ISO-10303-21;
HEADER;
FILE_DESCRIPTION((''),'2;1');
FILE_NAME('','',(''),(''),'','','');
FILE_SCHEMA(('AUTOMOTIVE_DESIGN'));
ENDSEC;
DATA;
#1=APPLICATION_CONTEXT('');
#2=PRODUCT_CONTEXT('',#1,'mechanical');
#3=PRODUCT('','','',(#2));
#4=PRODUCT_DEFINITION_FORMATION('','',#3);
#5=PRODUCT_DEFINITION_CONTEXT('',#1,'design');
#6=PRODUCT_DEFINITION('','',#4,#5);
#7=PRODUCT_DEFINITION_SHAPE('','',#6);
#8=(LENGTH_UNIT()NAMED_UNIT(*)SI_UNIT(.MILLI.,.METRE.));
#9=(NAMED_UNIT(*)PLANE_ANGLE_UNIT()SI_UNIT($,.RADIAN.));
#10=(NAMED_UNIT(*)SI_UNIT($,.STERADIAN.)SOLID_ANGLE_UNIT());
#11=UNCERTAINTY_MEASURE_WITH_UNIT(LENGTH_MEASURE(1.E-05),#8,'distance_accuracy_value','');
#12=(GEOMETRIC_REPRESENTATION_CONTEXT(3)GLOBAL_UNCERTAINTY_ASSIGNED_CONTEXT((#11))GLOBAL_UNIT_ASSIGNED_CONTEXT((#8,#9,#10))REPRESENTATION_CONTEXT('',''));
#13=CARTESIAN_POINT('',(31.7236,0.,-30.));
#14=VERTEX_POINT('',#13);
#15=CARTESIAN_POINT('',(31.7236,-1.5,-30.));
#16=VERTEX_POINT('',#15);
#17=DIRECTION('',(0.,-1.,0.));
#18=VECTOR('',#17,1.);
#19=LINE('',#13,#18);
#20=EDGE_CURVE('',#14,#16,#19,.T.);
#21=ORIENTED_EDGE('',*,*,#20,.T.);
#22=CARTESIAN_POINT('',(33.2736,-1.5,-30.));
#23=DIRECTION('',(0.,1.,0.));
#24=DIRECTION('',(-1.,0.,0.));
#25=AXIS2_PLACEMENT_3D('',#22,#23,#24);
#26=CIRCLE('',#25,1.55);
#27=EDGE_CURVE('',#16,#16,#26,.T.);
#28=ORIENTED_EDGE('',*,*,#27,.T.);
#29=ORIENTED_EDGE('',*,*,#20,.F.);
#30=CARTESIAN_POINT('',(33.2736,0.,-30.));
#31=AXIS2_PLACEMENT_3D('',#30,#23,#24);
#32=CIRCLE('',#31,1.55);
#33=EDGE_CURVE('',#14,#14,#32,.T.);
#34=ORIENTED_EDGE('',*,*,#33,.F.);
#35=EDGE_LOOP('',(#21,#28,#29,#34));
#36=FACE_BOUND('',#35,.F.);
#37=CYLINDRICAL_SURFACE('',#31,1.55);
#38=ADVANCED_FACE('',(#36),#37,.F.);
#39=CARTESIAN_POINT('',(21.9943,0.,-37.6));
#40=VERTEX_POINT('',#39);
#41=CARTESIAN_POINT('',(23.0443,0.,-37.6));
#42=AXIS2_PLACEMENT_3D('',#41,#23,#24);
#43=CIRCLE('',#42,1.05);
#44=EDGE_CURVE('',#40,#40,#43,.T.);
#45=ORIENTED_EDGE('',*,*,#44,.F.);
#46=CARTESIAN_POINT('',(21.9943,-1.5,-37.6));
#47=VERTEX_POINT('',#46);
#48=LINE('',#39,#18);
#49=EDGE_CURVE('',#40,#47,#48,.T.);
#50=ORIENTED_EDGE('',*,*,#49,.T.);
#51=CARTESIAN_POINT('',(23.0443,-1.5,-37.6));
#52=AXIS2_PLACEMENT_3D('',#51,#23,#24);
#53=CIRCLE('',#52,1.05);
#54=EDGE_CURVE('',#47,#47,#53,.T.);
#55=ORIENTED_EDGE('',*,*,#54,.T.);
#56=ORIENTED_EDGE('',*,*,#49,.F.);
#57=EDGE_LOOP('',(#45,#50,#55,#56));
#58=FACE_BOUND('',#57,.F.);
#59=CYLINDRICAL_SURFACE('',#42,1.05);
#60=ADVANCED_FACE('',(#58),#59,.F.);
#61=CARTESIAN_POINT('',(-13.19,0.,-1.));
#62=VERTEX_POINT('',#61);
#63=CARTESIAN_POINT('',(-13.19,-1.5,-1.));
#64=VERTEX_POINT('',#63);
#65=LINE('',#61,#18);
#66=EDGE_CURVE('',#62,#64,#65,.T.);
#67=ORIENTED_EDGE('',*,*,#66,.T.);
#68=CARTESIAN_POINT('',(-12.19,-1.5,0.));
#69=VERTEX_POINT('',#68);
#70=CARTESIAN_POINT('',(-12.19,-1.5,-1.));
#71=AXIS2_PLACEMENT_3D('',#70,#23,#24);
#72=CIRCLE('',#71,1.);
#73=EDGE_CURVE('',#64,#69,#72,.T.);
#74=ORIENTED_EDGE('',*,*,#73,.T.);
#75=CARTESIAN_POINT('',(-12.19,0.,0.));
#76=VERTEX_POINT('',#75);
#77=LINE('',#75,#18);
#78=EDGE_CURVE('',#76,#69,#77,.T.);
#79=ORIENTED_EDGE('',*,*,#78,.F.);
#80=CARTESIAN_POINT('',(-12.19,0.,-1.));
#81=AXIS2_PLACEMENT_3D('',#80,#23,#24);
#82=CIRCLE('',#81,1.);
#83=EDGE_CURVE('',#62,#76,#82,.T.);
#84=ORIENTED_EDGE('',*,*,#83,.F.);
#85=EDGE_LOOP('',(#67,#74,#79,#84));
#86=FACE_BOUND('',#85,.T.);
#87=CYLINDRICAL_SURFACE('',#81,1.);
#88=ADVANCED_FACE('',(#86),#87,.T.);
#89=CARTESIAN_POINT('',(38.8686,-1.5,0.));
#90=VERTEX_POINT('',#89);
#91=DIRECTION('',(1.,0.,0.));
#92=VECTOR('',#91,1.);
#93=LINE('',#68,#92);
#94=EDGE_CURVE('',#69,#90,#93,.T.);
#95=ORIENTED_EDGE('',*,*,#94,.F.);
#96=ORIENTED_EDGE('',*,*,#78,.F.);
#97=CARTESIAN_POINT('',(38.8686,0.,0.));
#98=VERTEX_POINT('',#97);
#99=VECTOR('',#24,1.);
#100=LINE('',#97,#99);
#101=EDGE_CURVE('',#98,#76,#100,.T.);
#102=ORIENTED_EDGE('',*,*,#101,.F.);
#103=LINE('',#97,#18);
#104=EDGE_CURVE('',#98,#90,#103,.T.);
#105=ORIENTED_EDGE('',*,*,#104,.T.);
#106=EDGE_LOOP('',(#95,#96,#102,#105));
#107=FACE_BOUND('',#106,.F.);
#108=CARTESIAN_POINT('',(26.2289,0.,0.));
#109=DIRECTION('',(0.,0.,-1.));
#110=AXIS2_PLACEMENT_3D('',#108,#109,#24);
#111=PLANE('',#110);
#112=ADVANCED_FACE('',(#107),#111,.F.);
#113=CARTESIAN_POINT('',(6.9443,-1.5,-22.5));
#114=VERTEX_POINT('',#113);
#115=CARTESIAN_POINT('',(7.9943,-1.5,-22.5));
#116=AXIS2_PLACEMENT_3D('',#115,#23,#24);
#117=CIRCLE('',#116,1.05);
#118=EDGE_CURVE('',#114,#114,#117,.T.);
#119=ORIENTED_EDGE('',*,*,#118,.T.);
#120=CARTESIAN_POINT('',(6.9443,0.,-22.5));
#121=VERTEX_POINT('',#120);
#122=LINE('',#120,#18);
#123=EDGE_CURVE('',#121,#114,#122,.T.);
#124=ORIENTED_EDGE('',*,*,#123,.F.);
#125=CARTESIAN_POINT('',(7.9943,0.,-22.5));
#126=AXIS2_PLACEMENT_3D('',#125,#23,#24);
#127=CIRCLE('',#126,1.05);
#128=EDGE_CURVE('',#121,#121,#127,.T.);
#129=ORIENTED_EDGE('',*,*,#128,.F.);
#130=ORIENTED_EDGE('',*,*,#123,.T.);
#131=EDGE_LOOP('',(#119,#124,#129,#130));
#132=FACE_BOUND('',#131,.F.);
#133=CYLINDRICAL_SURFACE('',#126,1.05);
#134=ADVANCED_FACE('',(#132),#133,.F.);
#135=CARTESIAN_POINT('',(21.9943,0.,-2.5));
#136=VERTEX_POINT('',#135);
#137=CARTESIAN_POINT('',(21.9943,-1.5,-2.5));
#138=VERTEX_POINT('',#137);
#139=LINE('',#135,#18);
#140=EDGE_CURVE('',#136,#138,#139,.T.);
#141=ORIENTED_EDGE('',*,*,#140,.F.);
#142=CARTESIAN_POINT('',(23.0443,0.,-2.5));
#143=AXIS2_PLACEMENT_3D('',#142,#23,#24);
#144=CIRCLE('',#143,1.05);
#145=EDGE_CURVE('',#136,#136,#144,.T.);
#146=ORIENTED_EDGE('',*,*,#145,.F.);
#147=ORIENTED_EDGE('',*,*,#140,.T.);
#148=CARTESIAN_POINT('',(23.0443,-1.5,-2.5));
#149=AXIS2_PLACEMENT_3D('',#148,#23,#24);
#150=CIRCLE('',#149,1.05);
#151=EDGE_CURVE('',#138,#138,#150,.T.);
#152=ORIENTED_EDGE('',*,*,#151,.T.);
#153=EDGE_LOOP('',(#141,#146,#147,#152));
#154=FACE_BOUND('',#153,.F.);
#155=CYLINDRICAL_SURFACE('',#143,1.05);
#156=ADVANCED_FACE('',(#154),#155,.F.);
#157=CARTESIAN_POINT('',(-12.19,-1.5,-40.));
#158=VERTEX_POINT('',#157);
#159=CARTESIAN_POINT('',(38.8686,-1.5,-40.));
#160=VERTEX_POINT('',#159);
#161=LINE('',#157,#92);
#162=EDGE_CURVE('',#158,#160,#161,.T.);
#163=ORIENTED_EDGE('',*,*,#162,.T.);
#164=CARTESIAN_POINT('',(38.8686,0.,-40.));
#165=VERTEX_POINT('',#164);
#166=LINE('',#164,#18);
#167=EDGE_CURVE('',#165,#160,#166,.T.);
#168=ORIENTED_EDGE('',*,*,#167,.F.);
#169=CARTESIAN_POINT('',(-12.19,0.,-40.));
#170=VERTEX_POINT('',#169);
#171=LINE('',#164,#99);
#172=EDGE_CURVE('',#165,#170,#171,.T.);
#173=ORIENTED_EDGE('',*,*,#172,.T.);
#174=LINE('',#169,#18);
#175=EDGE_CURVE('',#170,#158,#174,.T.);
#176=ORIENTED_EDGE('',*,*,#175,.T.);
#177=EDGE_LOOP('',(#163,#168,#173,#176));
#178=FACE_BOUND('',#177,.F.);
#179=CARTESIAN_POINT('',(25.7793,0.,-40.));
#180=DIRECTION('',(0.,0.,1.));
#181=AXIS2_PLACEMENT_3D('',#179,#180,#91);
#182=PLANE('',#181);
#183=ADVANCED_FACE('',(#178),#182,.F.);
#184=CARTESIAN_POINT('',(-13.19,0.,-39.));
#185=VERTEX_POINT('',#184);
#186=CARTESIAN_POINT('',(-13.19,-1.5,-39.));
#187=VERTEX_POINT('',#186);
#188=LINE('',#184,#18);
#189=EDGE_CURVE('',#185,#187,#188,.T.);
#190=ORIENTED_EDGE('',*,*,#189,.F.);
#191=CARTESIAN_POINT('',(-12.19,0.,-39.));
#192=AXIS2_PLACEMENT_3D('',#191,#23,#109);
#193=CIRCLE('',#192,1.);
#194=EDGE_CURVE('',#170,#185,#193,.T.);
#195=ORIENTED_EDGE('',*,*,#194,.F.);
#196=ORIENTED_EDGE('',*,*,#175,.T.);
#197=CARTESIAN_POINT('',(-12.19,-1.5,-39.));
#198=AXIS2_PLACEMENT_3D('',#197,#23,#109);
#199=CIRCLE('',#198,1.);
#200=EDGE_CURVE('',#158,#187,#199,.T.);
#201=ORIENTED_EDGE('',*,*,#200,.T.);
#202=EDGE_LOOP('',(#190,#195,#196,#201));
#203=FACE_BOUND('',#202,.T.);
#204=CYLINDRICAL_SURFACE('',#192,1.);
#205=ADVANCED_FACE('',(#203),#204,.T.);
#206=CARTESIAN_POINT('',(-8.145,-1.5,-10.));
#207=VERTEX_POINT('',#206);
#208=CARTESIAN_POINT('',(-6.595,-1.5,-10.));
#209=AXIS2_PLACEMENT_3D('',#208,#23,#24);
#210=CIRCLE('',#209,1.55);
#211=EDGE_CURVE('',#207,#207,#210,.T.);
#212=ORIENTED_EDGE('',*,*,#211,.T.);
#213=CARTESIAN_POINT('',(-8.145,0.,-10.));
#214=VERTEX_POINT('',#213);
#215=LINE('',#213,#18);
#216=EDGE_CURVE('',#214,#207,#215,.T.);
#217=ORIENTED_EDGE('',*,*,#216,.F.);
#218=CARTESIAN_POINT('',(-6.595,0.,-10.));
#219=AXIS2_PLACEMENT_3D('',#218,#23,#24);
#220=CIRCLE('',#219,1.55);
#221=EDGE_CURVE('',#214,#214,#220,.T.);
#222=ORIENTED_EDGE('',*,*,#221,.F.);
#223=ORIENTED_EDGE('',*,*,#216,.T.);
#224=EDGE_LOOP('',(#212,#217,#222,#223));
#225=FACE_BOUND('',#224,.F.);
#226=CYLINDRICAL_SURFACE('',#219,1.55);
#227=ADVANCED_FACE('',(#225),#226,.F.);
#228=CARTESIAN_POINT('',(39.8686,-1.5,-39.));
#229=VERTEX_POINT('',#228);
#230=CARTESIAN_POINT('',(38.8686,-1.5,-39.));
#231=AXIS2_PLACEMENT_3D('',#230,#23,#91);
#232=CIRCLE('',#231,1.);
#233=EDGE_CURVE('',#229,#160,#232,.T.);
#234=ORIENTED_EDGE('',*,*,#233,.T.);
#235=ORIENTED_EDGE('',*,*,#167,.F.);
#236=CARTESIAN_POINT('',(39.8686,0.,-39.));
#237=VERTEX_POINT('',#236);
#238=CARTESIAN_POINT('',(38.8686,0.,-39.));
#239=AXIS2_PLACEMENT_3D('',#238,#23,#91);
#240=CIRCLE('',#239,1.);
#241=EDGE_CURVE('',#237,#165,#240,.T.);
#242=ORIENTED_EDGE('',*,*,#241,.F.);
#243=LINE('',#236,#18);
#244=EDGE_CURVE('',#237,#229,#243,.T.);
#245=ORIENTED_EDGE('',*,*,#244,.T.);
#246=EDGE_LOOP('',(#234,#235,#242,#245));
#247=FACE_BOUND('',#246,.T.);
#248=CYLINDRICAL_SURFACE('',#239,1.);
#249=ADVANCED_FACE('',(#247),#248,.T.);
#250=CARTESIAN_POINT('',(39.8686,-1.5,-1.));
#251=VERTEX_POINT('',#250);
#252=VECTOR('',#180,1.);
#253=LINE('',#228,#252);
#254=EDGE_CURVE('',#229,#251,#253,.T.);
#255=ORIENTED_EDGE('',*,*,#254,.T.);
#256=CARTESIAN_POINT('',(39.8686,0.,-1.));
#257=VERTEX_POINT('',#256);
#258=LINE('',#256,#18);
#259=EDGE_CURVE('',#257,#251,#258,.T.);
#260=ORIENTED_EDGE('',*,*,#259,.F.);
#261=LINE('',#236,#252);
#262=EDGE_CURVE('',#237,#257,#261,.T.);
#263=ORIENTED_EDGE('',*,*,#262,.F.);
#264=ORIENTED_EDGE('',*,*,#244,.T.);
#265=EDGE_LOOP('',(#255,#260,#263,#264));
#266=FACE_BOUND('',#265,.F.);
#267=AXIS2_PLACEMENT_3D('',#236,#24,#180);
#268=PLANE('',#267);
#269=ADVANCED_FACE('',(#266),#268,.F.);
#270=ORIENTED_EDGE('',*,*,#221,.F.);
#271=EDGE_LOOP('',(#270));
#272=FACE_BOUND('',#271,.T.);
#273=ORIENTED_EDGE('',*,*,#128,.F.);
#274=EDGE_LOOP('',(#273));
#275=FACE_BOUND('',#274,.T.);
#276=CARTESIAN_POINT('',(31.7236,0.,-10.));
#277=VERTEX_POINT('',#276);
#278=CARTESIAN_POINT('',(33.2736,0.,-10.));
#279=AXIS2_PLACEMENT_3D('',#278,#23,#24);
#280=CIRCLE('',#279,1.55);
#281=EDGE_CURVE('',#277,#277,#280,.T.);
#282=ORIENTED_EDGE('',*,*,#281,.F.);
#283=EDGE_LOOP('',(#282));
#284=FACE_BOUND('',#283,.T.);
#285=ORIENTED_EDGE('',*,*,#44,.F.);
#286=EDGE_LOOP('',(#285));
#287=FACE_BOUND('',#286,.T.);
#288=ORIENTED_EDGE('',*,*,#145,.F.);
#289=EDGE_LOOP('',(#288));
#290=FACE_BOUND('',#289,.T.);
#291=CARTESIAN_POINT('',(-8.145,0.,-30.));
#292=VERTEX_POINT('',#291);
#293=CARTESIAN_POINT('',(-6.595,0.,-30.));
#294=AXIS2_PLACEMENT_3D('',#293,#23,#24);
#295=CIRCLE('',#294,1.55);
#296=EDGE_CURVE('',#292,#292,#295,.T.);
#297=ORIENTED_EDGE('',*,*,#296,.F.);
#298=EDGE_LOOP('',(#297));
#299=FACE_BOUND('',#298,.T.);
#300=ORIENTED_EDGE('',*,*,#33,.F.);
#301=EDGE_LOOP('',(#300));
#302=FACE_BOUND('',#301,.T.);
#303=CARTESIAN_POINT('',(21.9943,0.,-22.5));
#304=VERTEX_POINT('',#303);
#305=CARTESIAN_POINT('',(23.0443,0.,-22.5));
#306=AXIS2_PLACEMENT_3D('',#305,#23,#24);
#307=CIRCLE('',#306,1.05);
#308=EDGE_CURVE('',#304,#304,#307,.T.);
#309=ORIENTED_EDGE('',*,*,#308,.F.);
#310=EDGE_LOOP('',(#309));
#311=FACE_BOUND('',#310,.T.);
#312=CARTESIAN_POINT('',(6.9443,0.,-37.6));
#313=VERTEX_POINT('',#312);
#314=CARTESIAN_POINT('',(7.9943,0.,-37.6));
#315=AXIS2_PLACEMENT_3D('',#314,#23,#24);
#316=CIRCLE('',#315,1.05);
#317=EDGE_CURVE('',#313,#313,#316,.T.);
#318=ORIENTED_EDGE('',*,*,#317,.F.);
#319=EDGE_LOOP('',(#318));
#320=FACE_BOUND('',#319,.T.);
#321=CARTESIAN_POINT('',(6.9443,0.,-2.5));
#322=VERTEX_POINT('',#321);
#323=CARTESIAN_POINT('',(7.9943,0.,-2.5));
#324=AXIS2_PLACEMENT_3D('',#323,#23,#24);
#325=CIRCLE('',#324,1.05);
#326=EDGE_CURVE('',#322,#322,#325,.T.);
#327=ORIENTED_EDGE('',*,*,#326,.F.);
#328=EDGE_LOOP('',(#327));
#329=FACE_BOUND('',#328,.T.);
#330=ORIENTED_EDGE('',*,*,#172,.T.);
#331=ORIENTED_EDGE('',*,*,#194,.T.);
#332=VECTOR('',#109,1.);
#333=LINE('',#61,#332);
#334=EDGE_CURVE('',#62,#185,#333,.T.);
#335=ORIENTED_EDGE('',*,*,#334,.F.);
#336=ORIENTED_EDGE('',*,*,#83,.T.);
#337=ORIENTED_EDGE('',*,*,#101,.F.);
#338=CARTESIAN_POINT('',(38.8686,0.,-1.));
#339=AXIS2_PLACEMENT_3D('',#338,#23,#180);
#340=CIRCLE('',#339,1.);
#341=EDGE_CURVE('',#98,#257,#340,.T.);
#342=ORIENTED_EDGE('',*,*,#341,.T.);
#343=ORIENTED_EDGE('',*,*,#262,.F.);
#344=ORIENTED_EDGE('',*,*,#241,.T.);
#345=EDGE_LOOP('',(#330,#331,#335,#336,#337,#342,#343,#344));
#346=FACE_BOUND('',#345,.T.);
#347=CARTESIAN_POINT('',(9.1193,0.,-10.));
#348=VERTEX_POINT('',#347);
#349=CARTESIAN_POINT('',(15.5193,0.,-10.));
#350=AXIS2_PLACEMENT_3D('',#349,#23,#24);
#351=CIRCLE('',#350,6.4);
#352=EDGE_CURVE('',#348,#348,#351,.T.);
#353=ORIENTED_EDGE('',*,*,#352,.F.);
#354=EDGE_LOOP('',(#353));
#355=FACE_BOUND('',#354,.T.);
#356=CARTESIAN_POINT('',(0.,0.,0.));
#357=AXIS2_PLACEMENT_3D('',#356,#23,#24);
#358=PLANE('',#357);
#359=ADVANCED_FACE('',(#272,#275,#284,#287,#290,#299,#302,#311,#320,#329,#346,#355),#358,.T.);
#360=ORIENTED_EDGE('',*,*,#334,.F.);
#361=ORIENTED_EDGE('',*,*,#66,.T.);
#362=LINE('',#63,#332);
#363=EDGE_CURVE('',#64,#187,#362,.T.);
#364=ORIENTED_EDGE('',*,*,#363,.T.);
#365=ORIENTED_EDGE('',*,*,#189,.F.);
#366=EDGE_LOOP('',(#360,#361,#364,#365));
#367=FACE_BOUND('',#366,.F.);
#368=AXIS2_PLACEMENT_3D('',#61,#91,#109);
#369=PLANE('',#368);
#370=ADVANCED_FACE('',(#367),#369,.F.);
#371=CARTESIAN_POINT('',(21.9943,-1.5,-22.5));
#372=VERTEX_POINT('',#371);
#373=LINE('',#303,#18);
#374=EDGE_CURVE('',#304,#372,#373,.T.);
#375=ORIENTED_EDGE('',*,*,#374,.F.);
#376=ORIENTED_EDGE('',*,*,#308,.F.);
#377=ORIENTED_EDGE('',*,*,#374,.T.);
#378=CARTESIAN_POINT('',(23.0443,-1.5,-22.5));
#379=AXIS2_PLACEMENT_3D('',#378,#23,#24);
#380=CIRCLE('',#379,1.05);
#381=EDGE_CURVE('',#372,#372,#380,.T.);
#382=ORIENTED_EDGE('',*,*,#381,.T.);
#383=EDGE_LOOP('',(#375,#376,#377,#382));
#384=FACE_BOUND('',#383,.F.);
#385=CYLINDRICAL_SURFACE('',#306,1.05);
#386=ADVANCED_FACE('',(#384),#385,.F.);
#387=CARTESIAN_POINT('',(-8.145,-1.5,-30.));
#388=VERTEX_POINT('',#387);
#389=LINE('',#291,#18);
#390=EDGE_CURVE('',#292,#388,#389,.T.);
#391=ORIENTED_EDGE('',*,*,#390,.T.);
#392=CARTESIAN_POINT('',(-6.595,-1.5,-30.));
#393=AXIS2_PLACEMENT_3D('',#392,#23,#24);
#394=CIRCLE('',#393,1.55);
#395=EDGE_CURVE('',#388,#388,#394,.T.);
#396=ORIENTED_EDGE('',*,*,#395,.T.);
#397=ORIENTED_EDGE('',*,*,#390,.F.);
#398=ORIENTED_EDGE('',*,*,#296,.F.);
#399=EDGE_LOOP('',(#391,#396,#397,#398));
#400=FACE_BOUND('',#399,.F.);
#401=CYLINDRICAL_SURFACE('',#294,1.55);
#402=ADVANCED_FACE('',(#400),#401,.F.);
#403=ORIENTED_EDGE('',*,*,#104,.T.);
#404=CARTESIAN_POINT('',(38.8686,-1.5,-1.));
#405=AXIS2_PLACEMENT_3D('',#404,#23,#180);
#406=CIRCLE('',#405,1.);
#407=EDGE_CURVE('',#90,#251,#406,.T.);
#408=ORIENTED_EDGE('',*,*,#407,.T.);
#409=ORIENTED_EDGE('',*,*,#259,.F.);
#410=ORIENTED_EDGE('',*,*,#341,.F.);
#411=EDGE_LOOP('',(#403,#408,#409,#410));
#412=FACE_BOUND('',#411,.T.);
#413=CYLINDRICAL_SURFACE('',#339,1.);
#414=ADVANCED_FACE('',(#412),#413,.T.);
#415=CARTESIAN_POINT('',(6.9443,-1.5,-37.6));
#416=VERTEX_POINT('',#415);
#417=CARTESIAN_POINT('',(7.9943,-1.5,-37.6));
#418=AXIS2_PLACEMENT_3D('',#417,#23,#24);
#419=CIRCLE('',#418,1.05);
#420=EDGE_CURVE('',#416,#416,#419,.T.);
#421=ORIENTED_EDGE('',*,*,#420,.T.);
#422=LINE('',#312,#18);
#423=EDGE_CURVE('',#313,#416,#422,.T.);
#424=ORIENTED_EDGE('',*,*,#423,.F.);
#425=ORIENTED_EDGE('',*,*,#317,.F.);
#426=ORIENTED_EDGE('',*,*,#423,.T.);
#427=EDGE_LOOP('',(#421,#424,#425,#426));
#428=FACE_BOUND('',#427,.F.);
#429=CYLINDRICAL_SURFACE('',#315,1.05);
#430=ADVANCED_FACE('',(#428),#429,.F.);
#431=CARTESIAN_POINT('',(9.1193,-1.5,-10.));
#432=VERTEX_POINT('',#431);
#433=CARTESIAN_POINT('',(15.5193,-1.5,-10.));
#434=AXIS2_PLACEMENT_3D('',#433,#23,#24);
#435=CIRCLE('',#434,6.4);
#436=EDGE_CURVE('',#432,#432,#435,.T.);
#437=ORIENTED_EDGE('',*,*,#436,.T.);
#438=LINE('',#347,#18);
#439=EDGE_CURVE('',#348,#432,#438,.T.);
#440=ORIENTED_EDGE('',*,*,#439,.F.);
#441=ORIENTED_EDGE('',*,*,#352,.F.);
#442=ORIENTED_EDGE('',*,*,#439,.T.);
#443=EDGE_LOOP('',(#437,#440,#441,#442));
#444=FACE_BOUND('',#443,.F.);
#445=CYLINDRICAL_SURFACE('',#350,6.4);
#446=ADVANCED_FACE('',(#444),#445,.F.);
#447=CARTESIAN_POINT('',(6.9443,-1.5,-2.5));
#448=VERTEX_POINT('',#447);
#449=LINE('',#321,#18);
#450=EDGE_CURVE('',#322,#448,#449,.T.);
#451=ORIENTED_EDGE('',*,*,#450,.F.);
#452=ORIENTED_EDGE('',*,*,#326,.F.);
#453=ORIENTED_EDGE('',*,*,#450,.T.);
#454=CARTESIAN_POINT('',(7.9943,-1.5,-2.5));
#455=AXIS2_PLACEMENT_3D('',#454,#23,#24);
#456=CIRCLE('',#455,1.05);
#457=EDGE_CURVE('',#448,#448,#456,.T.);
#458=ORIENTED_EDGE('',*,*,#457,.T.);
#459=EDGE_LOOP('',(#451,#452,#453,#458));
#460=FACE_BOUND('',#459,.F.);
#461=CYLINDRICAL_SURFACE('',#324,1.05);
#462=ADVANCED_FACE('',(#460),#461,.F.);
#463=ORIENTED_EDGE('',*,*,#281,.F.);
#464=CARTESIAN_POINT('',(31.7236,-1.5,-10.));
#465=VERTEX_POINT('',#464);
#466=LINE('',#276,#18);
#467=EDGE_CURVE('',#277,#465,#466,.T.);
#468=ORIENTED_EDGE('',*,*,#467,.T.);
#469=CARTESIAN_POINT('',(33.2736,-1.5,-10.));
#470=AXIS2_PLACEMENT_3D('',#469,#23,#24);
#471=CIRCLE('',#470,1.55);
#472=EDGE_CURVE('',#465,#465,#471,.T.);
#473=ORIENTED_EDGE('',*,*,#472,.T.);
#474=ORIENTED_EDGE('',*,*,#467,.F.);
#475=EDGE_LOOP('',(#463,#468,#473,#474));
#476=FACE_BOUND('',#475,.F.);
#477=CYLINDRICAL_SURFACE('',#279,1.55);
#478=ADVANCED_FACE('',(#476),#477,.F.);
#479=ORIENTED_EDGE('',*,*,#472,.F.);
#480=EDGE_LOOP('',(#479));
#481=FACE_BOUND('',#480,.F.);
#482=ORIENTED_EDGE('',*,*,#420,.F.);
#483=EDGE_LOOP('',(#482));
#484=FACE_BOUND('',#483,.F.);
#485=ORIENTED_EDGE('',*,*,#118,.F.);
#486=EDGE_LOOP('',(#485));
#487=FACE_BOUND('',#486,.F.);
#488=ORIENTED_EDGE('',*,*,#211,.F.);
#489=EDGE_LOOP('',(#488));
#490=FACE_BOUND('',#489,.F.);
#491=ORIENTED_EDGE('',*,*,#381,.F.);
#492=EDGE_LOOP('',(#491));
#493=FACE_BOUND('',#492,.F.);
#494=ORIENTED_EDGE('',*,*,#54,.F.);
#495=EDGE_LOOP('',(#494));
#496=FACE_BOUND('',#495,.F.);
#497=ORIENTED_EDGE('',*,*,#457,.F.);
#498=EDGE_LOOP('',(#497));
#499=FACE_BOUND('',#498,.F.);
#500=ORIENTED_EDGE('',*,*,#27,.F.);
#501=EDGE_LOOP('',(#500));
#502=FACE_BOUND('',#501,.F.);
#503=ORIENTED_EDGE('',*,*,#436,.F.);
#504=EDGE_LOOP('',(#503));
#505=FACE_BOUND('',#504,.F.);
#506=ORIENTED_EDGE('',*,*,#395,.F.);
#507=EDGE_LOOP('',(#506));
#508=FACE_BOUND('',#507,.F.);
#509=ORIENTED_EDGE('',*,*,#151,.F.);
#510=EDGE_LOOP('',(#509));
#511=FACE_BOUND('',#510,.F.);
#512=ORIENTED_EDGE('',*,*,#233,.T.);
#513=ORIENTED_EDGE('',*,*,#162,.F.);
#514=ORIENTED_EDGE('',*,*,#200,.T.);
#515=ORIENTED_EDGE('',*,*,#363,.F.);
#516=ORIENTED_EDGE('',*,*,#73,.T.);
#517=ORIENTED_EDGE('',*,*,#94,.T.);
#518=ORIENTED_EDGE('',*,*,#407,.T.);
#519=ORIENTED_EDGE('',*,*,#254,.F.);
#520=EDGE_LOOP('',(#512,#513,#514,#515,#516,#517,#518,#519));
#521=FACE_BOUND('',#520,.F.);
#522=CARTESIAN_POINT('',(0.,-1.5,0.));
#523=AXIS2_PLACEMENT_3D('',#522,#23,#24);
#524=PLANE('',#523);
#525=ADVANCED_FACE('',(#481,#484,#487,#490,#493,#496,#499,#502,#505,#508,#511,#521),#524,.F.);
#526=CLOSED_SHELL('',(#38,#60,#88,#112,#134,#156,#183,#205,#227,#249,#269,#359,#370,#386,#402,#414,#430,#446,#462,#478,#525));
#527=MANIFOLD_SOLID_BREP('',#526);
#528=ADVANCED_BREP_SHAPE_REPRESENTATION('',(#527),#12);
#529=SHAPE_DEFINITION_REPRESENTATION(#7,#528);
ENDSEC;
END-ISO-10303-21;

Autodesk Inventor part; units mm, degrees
ref_plane "YZ Plane" through (0, 0, 0) normal (1, 0, 0) x (0, 1, 0)
ref_plane "XZ Plane" through (0, 0, 0) normal (0, 1, 0) x (-1, 0, 0)
ref_plane "XY Plane" through (0, 0, 0) normal (0, 0, 1) x (1, 0, 0)
sketch "Sketch1" plane through (0, 0, 0) normal (0, 1, 0) x (-1, 0, 0)
  line L0 (-26.2289, 0) -> (-26.2289, -40)
  line L1 (-0.4496, -40) -> (-0.4496, 0)
  circle A0 centre (-33.2736, -30) radius 1.55
  circle A1 centre (6.595, -30) radius 1.55
  circle A2 centre (-33.2736, -10) radius 1.55
  circle A3 centre (6.595, -10) radius 1.55
  circle A4 centre (-15.5193, -10) radius 6.4
  circle A5 centre (-23.0443, -37.6) radius 1.05
  circle A6 centre (-7.9943, -37.6) radius 1.05
  circle A7 centre (-23.0443, -22.5) radius 1.05
  circle A8 centre (-7.9943, -22.5) radius 1.05
  circle A9 centre (-23.0443, -2.5) radius 1.05
  circle A10 centre (-7.9943, -2.5) radius 1.05
  arc A11 (13.19, -1) -> (12.19, 0) centre (12.19, -1) ccw
  line L2 (-38.8686, 0) -> (12.19, 0)
  arc A12 (-38.8686, 0) -> (-39.8686, -1) centre (-38.8686, -1) ccw
  line L3 (-39.8686, -39) -> (-39.8686, -1)
  arc A13 (-39.8686, -39) -> (-38.8686, -40) centre (-38.8686, -39) ccw
  arc A14 (12.19, -40) -> (13.19, -39) centre (12.19, -39) ccw
  line L4 (12.19, -40) -> (-38.8686, -40)
  line L5 (13.19, -1) -> (13.19, -39)
  line L6 (-26.6786, -40) -> (-26.6786, 0)
  line L7 (-25.7793, 0) -> (-25.7793, -40)
  line L8 (-0.8993, -40) -> (-0.8993, 0)
  line L9 (0, 0) -> (0, -40)
  point P0 (0, 0)
extrude "Extrusion1" add sketch "Sketch1" against normal blind 1.5
properties part number "body_motor_R_frame"
